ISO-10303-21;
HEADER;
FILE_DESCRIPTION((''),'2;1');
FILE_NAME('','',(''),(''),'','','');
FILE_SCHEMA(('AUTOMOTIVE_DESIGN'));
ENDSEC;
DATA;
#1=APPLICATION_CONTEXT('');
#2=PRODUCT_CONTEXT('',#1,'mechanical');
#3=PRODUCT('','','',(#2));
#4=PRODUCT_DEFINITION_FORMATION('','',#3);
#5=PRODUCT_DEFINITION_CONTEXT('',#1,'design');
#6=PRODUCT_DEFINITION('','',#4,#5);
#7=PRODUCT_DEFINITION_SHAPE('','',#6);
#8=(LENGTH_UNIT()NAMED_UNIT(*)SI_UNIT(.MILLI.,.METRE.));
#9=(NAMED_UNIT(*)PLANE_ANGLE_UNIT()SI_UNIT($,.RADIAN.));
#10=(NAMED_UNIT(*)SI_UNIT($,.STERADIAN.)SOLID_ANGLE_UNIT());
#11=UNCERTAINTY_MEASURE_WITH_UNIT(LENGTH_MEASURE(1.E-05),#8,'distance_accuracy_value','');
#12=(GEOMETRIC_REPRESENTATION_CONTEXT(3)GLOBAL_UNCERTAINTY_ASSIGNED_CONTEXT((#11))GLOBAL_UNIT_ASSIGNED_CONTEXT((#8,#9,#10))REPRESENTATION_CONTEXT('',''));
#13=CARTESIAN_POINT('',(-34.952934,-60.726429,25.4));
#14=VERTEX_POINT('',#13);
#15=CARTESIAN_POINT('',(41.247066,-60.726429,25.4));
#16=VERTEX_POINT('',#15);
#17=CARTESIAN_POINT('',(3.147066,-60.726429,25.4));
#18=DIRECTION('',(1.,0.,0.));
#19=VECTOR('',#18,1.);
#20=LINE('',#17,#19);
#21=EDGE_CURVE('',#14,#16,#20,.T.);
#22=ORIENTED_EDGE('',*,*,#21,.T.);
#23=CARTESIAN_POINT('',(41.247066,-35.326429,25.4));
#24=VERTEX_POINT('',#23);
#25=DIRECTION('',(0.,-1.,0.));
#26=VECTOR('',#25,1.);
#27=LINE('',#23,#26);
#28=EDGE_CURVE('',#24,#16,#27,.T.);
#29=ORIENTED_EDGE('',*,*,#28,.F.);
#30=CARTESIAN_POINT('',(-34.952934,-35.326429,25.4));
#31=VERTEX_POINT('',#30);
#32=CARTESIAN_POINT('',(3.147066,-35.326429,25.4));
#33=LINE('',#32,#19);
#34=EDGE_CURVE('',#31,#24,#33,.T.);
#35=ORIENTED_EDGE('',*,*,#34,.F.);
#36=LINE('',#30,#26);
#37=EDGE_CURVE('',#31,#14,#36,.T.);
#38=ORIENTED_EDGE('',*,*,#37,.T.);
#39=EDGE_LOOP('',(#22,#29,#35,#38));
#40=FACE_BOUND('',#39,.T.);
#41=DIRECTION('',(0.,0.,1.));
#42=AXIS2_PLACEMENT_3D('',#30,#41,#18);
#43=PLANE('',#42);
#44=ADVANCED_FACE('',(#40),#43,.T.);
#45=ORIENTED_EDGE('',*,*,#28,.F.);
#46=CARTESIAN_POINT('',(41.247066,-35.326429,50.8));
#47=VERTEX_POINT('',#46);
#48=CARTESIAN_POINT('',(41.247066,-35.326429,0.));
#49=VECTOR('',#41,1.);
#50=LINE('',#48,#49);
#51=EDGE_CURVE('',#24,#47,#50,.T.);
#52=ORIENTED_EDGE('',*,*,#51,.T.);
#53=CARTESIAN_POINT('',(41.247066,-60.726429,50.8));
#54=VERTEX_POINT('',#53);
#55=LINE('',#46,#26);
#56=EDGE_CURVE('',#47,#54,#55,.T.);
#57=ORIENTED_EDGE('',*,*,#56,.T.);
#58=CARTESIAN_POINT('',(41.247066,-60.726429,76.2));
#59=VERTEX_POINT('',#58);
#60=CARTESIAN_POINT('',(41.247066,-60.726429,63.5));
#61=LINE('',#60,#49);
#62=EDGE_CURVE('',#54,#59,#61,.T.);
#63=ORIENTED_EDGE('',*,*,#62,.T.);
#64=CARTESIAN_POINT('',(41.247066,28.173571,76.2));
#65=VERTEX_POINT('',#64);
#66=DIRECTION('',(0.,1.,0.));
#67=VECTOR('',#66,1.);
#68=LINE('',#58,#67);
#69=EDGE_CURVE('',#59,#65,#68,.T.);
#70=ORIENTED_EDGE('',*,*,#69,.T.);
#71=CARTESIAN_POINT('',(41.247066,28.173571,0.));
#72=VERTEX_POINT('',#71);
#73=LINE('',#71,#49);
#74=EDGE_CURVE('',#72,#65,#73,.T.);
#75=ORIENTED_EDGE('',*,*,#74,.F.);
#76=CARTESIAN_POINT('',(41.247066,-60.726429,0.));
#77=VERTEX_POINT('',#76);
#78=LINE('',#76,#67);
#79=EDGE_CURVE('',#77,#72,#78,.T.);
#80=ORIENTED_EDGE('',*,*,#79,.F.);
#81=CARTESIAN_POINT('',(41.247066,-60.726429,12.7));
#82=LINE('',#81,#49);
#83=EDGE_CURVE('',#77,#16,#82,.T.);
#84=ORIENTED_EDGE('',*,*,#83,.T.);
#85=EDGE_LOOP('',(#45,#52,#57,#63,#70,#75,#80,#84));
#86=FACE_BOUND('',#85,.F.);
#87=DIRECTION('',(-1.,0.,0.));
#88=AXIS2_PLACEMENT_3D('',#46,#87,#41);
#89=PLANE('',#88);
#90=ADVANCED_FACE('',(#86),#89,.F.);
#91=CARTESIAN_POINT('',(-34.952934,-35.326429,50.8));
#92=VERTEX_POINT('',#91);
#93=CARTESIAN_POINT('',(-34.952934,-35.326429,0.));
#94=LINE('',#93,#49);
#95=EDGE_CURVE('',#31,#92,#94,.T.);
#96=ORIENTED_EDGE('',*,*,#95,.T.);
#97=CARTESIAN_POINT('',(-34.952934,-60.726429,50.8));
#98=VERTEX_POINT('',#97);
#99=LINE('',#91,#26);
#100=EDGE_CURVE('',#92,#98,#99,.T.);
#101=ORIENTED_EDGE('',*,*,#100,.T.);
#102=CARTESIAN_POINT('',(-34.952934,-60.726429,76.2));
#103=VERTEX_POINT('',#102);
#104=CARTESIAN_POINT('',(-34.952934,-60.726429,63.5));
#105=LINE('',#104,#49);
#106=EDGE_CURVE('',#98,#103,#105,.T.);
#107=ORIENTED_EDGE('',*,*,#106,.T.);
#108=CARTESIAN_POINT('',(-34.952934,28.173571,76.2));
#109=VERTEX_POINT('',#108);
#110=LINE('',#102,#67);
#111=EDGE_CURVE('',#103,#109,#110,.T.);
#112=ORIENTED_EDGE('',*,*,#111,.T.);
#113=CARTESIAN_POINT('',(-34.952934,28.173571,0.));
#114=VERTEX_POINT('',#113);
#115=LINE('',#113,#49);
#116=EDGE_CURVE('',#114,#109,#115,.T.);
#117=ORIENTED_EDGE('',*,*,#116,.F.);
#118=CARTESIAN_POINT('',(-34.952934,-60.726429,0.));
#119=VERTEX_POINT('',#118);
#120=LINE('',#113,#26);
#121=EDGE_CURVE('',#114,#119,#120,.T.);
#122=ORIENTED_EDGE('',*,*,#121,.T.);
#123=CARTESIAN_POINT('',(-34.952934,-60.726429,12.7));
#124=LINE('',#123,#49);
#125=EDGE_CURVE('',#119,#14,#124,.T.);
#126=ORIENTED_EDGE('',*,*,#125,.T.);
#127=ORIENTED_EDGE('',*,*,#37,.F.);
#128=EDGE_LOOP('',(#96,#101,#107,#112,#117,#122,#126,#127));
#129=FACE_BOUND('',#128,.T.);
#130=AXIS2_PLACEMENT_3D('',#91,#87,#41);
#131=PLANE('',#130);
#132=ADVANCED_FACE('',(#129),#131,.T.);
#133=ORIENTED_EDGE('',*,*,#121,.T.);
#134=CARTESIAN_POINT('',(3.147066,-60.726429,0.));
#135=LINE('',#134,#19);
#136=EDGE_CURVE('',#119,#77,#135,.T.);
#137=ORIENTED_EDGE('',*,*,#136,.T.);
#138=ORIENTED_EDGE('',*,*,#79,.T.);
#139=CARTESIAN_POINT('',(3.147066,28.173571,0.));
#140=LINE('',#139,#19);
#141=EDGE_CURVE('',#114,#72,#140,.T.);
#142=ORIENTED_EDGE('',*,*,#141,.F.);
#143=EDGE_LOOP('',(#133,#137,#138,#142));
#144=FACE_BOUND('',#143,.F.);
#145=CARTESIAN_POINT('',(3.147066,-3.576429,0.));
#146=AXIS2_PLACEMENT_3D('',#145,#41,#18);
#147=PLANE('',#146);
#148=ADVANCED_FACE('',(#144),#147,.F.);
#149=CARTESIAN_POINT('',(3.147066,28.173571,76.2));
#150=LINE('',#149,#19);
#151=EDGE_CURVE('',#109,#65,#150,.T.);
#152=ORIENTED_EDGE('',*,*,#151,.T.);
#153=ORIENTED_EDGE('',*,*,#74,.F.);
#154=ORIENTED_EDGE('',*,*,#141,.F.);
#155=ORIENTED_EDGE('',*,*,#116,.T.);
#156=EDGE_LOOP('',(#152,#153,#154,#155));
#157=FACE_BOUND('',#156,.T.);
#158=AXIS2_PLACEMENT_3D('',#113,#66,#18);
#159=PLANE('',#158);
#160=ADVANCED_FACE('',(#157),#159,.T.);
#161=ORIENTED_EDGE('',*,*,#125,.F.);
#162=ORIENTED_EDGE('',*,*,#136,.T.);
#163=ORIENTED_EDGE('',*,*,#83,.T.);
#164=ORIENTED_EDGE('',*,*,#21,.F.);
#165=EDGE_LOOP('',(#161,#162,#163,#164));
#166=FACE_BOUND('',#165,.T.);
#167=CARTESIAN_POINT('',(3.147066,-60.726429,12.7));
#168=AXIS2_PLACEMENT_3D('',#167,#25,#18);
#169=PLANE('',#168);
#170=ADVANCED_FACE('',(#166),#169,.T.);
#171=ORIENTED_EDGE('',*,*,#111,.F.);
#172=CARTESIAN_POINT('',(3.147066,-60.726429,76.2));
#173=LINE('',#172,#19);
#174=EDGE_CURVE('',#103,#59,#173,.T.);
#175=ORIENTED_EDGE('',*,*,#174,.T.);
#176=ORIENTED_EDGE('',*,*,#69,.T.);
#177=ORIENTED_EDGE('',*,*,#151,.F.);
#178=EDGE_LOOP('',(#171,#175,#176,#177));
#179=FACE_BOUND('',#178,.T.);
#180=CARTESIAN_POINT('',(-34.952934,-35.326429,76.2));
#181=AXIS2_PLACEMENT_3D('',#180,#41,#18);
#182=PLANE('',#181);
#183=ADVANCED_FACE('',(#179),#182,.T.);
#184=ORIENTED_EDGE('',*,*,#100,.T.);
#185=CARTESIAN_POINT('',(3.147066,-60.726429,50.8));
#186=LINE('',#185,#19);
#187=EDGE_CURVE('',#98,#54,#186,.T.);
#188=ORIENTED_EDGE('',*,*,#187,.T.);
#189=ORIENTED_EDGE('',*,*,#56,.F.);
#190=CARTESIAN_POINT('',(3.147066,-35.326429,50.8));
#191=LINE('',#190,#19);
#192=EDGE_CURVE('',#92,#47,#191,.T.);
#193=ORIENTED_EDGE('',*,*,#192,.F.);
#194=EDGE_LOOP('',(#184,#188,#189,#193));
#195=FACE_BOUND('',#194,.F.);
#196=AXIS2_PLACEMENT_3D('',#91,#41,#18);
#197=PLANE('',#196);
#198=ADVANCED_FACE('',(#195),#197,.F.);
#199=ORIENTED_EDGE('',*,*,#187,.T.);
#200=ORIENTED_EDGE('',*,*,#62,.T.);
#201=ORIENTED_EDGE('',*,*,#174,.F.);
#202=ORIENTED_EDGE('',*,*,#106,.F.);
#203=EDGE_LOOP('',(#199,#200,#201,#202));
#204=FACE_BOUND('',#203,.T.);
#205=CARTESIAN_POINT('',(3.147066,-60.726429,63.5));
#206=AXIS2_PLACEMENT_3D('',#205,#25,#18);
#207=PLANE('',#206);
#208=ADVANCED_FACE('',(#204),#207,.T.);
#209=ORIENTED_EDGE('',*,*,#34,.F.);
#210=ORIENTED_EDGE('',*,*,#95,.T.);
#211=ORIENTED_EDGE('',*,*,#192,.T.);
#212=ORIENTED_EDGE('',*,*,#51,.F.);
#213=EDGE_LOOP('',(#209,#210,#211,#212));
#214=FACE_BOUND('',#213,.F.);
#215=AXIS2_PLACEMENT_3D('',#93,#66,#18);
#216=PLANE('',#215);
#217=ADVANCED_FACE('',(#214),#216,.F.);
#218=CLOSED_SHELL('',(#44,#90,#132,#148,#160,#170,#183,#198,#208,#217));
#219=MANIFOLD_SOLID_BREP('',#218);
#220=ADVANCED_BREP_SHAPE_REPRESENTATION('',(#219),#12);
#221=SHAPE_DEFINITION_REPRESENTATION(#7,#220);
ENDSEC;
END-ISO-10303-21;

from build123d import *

# Parameters (mm, degrees)
F0_W     = 76.2
F0_H     = 63.5
F1_DEPTH = 76.2
F2_W     = 76.2
F2_H     = 25.4
F3_DEPTH = 25.4


with BuildPart() as f1:
    # F0 (on Top) → F1 (new body)
    with BuildSketch(Plane.XY):
        with Locations((3.147066, -3.576429)):
            Rectangle(F0_W, F0_H)
    extrude(amount=F1_DEPTH)

    # F2 (on face) → F3 (join)
    with BuildSketch(Plane.XZ.offset(35.326429)):
        with Locations((3.147066, 63.5)):
            Rectangle(F2_W, F2_H)
        with Locations((3.147066, 12.7)):
            Rectangle(F2_W, F2_H)
    extrude(amount=F3_DEPTH)


solid = f1.part
